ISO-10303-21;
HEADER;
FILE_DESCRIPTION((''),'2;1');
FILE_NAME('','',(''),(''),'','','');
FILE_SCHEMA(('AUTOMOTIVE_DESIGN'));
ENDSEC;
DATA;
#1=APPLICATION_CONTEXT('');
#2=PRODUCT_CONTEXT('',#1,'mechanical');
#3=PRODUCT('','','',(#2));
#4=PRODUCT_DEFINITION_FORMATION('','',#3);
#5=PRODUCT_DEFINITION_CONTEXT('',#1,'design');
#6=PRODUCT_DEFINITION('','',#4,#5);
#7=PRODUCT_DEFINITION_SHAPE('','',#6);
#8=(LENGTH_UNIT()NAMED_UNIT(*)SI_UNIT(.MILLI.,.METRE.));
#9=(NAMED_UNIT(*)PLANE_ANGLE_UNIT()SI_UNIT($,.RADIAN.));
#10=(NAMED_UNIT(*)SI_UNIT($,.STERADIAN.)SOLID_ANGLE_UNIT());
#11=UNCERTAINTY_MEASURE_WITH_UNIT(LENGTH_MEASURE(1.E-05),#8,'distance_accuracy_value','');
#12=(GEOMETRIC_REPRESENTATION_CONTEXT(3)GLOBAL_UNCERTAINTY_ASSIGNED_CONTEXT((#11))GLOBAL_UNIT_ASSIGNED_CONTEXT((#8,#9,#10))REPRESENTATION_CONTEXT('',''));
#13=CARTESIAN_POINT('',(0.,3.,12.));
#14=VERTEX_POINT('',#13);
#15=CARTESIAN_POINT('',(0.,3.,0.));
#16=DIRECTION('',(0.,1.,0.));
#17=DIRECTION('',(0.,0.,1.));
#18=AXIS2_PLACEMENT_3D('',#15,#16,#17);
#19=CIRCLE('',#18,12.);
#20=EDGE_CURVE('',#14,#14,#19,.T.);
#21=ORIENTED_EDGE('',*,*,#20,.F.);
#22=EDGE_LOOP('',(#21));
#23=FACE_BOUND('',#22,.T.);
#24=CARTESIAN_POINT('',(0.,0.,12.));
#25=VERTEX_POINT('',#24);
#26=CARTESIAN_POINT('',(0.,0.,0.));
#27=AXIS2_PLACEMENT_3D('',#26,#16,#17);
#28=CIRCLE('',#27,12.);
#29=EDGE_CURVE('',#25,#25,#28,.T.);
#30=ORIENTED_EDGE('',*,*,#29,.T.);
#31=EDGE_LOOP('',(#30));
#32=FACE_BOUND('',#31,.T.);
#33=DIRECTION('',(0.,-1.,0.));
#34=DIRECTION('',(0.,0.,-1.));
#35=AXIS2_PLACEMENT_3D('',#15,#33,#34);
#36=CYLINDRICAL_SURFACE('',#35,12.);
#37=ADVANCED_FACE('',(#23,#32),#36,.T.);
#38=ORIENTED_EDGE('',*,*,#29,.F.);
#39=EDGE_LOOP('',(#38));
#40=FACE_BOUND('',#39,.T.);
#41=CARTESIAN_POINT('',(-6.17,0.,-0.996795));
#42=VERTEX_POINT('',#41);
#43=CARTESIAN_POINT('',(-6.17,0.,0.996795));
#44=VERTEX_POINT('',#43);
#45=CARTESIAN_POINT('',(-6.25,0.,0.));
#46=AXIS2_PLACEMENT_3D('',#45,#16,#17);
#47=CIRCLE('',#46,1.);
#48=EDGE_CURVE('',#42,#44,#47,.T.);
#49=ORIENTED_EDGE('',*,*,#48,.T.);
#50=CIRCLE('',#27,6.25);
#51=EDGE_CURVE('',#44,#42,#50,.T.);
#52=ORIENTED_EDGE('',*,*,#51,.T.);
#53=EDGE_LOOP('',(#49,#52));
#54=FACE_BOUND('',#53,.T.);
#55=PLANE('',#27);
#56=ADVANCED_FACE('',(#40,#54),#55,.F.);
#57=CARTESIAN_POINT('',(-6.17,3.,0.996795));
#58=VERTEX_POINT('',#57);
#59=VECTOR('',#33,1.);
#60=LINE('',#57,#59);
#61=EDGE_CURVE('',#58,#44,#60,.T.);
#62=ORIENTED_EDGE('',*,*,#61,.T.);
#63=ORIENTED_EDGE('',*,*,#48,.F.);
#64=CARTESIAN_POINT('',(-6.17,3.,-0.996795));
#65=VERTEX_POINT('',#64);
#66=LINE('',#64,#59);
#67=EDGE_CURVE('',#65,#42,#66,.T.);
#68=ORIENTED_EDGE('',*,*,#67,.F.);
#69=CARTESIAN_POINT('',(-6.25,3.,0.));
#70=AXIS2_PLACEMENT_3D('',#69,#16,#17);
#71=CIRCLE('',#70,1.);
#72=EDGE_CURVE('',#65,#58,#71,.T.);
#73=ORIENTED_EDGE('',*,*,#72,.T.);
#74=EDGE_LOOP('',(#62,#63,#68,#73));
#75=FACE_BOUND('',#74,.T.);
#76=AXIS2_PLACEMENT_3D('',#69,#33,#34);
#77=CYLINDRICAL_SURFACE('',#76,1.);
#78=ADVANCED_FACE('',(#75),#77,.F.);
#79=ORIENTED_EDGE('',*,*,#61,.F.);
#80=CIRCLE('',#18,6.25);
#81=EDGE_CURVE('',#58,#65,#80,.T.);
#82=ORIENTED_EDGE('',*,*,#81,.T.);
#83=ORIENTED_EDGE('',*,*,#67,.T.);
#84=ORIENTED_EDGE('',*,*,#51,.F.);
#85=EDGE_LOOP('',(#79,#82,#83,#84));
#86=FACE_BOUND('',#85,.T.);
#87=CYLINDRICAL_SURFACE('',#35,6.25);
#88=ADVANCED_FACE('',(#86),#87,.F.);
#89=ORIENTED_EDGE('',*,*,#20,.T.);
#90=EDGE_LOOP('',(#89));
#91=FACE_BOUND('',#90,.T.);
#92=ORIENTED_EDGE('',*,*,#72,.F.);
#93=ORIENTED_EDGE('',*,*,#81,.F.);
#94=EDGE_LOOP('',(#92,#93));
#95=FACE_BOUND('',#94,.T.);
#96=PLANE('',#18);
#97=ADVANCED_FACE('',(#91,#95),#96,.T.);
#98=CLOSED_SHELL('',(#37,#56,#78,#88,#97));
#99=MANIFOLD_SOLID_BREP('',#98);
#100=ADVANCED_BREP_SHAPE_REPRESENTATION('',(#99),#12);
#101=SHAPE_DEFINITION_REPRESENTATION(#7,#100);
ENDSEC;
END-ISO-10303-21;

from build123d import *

# Parameters (mm, degrees)
IZIM1_R                     = 12
Y_KSEKLIK_EKSTR_ZYON1_DEPTH = 3


with BuildPart() as part:
    # Çizim1 → Yükseklik-Ekstrüzyon1 (new body)
    with BuildSketch(Plane(origin=(0, 0, 0), x_dir=(1, 0, 0), z_dir=(0, 1, 0))):
        Circle(IZIM1_R)
        with BuildLine():
            ThreePointArc((-6.17, -0.996794864), (6.25, 0), (-6.17, 0.996794864))
            ThreePointArc((-6.17, 0.996794864), (-7.25, 0), (-6.17, -0.996794864))
        make_face(mode=Mode.SUBTRACT)
    extrude(amount=Y_KSEKLIK_EKSTR_ZYON1_DEPTH)


solid = part.part
